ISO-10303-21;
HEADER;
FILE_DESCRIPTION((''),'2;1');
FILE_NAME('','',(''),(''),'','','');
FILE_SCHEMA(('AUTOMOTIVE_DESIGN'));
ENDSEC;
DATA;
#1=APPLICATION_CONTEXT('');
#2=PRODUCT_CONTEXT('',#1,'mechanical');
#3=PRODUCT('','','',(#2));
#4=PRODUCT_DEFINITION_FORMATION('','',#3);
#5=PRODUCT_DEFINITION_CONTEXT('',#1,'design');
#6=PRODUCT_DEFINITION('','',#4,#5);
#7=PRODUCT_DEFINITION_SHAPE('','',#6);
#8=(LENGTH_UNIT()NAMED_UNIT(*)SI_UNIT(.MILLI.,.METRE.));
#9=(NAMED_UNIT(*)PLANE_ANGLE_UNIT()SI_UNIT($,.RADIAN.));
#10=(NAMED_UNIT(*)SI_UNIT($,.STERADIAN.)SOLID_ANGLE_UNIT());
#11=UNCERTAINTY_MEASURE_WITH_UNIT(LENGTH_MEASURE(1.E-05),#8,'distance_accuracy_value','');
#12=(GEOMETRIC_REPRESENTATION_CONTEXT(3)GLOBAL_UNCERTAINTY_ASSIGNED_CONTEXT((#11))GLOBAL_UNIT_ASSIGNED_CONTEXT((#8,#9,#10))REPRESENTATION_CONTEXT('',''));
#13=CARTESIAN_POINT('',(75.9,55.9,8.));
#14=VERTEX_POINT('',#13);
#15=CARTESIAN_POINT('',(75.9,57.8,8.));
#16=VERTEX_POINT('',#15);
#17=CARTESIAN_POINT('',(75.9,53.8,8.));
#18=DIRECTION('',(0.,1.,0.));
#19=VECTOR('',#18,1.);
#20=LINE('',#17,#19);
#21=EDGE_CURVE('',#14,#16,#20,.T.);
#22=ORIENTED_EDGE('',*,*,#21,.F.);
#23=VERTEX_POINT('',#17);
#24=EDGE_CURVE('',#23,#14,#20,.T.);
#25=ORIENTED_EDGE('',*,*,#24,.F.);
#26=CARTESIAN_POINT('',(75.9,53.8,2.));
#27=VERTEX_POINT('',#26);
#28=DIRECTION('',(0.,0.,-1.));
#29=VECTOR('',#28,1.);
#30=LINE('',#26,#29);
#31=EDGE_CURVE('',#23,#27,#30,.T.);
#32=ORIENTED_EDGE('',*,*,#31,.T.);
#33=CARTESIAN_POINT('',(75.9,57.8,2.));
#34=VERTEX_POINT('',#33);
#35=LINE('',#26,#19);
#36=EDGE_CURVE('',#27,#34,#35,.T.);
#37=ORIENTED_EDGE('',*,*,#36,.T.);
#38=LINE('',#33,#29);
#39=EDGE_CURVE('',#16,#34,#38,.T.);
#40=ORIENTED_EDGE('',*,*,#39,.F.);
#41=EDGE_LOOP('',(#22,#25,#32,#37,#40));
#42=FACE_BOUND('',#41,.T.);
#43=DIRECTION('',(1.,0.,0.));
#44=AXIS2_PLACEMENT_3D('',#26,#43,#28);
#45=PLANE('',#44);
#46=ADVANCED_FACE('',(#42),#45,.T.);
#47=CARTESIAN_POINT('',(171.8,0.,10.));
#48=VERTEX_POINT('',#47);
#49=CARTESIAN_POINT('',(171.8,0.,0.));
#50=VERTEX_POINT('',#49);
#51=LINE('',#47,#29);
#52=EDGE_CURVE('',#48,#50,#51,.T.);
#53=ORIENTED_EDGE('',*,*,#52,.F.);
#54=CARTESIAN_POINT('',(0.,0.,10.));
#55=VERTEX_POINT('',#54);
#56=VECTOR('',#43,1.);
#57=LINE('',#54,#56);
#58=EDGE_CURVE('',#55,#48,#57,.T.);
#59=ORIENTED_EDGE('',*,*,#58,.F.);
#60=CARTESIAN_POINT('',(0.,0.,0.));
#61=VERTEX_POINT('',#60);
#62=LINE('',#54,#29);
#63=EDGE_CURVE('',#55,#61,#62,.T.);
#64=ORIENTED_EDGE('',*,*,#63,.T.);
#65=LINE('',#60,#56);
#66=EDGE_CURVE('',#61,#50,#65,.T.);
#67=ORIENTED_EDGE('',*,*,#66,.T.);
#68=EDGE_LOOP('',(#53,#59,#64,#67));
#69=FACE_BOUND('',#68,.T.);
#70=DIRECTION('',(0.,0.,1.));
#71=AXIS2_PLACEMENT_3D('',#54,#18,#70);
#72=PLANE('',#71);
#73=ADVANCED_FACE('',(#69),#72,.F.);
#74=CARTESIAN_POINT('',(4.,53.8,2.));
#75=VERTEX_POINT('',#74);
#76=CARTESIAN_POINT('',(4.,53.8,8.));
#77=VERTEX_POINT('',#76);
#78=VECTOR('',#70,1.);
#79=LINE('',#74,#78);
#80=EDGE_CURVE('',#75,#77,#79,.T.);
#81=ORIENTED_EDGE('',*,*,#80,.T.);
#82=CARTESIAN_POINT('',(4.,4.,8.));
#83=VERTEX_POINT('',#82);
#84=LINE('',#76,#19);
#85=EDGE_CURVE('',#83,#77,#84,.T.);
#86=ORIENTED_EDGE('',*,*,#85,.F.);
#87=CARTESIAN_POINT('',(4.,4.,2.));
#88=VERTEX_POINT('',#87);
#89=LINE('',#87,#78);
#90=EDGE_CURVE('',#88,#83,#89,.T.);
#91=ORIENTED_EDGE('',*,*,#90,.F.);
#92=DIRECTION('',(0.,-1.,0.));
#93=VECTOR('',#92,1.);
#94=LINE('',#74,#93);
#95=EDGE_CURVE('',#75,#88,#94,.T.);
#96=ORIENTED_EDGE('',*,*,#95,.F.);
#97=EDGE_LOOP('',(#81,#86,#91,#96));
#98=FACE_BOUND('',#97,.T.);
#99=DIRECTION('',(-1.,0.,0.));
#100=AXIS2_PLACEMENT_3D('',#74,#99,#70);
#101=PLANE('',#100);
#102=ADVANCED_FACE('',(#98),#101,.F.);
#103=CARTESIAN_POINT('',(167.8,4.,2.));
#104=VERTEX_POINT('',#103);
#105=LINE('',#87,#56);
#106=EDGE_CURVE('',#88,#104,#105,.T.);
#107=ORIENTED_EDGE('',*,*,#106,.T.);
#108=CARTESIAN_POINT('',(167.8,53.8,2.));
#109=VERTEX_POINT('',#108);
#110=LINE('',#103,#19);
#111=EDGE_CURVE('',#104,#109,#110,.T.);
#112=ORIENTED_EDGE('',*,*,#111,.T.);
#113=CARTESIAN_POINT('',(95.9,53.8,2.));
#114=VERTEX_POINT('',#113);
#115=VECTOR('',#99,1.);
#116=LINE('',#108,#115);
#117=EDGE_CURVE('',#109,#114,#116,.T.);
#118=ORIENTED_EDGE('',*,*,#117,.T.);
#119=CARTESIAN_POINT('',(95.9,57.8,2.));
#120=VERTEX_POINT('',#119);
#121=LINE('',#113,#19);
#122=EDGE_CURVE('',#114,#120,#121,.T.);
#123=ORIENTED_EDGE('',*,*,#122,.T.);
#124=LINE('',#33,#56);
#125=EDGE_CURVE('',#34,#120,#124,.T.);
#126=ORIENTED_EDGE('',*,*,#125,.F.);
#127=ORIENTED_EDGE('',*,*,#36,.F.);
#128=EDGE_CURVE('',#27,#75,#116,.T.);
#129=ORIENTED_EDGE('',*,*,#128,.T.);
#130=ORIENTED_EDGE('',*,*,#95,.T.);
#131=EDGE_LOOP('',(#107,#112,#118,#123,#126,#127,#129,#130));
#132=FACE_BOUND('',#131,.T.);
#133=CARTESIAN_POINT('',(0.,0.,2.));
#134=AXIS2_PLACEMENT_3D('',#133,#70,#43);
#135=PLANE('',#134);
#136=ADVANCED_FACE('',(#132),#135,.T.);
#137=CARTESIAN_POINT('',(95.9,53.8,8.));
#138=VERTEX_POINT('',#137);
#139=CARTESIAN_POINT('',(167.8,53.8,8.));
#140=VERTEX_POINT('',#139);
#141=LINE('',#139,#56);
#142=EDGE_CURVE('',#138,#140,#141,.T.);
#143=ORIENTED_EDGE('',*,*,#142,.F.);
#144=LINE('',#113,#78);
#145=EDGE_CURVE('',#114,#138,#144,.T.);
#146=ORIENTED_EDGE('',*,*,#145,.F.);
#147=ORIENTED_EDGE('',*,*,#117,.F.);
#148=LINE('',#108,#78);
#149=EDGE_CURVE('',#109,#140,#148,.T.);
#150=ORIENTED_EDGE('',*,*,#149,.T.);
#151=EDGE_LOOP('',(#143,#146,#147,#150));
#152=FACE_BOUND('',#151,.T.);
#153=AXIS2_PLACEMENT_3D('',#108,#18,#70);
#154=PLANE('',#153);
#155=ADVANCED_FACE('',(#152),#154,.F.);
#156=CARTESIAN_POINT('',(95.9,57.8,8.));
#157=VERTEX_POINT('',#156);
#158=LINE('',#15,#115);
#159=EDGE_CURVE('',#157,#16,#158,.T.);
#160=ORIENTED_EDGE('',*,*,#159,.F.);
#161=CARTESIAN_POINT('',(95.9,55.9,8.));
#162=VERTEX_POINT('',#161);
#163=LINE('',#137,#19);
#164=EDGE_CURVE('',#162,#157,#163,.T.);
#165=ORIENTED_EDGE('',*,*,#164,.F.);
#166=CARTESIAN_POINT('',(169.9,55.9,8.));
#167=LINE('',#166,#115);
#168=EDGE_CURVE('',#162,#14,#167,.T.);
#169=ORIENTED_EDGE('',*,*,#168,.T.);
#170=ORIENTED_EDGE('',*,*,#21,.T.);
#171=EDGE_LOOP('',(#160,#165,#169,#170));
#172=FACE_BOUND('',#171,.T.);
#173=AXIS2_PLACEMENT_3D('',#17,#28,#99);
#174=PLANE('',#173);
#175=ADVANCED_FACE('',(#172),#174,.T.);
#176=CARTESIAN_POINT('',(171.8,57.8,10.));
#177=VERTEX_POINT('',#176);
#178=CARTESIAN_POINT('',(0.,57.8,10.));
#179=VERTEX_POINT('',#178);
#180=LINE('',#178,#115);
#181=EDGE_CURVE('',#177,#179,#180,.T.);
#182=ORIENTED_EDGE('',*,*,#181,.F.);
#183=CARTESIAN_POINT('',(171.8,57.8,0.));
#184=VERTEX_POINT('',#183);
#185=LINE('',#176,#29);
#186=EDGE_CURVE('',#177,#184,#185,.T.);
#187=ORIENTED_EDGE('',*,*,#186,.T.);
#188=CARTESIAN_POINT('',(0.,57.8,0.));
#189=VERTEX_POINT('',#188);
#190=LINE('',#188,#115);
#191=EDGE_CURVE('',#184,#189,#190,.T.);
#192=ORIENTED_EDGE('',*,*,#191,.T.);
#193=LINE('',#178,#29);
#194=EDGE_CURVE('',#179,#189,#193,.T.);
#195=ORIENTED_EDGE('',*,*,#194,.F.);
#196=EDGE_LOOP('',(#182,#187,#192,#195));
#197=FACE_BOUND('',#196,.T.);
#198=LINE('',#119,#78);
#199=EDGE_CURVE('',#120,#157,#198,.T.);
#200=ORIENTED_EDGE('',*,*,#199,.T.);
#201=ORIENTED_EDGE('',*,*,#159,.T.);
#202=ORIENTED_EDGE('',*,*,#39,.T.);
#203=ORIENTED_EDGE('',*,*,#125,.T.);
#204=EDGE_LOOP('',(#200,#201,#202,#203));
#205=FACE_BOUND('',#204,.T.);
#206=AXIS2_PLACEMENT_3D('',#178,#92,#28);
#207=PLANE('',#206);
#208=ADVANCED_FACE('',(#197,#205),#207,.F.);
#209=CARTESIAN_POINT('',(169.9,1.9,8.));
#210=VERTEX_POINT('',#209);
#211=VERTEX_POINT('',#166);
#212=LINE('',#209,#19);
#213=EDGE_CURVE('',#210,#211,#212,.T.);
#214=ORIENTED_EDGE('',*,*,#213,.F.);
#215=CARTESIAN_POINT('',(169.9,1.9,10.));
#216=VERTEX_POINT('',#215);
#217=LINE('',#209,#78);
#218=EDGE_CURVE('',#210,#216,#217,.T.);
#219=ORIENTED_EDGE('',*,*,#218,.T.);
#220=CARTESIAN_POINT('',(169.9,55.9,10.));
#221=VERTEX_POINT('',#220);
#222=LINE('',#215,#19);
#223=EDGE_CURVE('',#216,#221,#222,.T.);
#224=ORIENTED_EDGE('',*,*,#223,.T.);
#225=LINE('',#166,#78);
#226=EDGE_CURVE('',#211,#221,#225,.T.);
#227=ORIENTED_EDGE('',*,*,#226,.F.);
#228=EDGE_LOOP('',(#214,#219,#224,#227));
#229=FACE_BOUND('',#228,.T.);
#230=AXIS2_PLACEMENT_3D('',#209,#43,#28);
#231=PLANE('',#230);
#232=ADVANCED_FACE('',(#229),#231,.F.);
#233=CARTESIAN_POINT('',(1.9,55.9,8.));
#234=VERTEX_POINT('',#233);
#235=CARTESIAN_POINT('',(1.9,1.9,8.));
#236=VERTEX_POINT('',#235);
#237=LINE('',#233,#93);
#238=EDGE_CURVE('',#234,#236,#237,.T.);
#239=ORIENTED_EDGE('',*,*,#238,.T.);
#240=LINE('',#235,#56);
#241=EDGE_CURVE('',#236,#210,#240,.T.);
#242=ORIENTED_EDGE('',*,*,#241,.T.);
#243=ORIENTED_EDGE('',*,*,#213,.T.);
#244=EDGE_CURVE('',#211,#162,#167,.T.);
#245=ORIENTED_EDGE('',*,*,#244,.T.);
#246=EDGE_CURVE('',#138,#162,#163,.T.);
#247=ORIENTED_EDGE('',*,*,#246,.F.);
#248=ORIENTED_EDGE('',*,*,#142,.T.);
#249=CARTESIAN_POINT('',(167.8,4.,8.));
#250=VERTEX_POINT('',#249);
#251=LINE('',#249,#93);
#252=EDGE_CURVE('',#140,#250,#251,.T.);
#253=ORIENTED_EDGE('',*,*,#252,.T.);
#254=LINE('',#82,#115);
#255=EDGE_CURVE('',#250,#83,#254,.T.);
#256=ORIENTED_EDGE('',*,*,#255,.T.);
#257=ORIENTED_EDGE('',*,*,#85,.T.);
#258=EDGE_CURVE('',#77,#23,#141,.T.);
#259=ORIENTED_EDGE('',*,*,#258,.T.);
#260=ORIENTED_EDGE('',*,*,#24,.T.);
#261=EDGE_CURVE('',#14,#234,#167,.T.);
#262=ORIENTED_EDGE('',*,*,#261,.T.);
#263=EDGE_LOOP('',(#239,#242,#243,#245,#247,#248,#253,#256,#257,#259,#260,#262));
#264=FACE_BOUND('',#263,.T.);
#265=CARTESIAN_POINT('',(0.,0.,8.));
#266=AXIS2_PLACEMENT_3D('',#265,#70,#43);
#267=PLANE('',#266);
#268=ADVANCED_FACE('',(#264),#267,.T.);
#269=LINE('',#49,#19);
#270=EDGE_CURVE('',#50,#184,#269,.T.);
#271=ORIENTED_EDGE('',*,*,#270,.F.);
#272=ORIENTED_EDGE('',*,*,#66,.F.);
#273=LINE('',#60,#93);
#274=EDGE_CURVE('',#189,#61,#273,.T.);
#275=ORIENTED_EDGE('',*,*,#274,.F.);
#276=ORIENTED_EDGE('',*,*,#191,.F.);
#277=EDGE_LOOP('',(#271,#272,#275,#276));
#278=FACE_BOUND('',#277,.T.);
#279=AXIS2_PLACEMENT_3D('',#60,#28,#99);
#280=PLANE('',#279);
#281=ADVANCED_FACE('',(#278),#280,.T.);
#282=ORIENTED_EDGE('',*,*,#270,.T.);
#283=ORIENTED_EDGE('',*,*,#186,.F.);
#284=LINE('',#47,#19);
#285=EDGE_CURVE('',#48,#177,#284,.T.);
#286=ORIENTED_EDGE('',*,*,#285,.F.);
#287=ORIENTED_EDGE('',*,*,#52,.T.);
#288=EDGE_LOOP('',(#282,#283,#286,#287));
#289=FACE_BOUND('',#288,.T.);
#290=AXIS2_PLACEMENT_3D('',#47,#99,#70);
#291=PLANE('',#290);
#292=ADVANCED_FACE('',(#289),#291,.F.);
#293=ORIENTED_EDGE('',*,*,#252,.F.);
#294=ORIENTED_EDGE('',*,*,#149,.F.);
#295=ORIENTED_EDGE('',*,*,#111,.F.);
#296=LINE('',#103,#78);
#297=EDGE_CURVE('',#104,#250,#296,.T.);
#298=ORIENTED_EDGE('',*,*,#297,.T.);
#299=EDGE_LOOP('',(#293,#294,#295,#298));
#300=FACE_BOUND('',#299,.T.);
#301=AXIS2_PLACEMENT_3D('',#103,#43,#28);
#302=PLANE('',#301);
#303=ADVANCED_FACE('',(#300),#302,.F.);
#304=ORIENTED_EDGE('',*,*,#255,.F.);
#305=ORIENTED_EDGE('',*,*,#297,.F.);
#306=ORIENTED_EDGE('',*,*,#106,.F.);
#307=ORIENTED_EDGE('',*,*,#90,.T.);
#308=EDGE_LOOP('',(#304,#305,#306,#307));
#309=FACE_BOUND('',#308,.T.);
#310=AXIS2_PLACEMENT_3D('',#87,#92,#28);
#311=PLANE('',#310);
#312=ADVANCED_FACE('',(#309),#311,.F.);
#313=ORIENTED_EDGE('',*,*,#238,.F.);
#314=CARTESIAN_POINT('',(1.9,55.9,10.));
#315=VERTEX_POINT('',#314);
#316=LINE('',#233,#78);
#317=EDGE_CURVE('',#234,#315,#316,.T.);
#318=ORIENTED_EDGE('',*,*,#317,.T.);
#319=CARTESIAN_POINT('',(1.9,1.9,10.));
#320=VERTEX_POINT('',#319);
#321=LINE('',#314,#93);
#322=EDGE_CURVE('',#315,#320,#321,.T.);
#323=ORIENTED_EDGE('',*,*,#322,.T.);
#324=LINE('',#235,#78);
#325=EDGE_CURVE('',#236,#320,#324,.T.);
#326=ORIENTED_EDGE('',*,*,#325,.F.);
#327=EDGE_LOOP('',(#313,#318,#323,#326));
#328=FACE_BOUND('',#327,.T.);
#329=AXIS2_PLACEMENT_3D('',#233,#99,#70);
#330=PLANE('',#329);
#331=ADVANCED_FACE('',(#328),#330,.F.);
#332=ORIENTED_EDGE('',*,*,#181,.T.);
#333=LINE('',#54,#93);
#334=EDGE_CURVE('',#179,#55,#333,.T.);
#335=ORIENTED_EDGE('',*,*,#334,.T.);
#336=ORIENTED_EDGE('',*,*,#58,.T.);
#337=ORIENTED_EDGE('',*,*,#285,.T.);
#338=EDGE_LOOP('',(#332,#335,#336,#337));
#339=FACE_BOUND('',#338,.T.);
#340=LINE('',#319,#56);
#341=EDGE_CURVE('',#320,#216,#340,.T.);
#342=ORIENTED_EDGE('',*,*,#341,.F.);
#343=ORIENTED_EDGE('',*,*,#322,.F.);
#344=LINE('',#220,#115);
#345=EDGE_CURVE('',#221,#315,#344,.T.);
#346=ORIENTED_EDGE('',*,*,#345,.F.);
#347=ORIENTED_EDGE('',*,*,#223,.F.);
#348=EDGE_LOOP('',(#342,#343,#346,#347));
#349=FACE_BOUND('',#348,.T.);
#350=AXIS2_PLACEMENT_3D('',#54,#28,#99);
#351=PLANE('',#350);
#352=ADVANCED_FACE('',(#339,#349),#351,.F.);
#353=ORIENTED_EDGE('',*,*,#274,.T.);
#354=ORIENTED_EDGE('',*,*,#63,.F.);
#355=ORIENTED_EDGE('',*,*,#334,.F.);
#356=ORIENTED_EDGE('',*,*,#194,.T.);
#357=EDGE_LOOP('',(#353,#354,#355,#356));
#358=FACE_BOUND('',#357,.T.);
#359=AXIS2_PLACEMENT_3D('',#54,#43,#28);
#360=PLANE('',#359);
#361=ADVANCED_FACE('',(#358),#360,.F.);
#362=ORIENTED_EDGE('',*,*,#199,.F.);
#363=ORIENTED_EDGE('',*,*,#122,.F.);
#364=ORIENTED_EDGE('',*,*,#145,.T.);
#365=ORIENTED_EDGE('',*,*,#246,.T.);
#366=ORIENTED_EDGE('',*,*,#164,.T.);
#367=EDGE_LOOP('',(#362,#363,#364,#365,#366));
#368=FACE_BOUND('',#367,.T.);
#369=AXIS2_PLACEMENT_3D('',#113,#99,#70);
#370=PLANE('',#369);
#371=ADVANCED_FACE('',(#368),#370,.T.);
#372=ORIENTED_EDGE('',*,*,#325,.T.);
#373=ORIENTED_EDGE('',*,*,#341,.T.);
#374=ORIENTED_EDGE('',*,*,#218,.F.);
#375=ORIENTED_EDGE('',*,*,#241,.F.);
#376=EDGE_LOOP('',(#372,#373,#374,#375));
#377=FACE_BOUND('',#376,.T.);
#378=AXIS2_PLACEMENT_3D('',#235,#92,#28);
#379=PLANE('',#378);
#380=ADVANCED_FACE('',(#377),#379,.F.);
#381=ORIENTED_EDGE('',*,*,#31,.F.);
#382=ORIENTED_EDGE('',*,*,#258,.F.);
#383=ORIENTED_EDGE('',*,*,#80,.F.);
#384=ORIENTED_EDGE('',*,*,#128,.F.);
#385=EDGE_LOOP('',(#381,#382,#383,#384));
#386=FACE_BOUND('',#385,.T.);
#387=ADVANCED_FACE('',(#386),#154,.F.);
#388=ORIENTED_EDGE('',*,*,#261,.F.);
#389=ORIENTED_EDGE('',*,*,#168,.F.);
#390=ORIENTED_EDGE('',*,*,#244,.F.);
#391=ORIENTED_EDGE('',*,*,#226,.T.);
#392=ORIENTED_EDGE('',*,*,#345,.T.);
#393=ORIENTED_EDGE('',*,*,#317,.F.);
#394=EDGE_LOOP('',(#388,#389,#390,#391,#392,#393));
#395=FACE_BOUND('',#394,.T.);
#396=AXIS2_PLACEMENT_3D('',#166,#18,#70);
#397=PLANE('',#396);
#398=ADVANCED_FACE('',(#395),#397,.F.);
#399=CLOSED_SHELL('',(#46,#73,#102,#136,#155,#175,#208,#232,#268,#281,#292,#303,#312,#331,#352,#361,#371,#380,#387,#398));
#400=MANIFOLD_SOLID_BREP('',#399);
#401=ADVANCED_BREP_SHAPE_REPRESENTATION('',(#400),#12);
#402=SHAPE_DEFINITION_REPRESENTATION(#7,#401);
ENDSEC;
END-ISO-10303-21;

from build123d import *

# Parameters (mm, degrees)
SKETCH1_W               = 171.8
SKETCH1_H               = 57.8
MAIN_BODY_DEPTH         = 10
SKETCH2_W               = 163.8
SKETCH2_H               = 49.8
MAIN_CUTOUT_DEPTH       = 8
SKETCH3_W               = 6
SKETCH3_H               = 20
CABLE_PASSTHROUGH_DEPTH = 4
SKETCH9_W               = 168
SKETCH9_H               = 54
LID_CUTOUT_DEPTH        = 2


with BuildPart() as part:
    # Sketch1 → Main_Body (new body)
    with BuildSketch(Plane.XY):
        with Locations((85.9, 28.9)):
            Rectangle(SKETCH1_W, SKETCH1_H)
    extrude(amount=MAIN_BODY_DEPTH)

    # Sketch2 → Main_Cutout (cut)
    with BuildSketch(Plane.XY.offset(10)):
        with Locations((85.9, 28.9)):
            Rectangle(SKETCH2_W, SKETCH2_H)
    extrude(amount=-MAIN_CUTOUT_DEPTH, mode=Mode.SUBTRACT)

    # Sketch3 → Cable_Passthrough (cut)
    with BuildSketch(Plane(origin=(53.8, 57.8, 0), x_dir=(0, 0, 1), z_dir=(0, -1, 0))):
        with Locations((5, -32.1)):
            Rectangle(SKETCH3_W, SKETCH3_H)
    extrude(amount=CABLE_PASSTHROUGH_DEPTH, mode=Mode.SUBTRACT)

    # Sketch9 → Lid_Cutout (cut)
    with BuildSketch(Plane.XY.offset(10)):
        with Locations((85.9, 28.9)):
            Rectangle(SKETCH9_W, SKETCH9_H)
    extrude(amount=-LID_CUTOUT_DEPTH, mode=Mode.SUBTRACT)


solid = part.part
